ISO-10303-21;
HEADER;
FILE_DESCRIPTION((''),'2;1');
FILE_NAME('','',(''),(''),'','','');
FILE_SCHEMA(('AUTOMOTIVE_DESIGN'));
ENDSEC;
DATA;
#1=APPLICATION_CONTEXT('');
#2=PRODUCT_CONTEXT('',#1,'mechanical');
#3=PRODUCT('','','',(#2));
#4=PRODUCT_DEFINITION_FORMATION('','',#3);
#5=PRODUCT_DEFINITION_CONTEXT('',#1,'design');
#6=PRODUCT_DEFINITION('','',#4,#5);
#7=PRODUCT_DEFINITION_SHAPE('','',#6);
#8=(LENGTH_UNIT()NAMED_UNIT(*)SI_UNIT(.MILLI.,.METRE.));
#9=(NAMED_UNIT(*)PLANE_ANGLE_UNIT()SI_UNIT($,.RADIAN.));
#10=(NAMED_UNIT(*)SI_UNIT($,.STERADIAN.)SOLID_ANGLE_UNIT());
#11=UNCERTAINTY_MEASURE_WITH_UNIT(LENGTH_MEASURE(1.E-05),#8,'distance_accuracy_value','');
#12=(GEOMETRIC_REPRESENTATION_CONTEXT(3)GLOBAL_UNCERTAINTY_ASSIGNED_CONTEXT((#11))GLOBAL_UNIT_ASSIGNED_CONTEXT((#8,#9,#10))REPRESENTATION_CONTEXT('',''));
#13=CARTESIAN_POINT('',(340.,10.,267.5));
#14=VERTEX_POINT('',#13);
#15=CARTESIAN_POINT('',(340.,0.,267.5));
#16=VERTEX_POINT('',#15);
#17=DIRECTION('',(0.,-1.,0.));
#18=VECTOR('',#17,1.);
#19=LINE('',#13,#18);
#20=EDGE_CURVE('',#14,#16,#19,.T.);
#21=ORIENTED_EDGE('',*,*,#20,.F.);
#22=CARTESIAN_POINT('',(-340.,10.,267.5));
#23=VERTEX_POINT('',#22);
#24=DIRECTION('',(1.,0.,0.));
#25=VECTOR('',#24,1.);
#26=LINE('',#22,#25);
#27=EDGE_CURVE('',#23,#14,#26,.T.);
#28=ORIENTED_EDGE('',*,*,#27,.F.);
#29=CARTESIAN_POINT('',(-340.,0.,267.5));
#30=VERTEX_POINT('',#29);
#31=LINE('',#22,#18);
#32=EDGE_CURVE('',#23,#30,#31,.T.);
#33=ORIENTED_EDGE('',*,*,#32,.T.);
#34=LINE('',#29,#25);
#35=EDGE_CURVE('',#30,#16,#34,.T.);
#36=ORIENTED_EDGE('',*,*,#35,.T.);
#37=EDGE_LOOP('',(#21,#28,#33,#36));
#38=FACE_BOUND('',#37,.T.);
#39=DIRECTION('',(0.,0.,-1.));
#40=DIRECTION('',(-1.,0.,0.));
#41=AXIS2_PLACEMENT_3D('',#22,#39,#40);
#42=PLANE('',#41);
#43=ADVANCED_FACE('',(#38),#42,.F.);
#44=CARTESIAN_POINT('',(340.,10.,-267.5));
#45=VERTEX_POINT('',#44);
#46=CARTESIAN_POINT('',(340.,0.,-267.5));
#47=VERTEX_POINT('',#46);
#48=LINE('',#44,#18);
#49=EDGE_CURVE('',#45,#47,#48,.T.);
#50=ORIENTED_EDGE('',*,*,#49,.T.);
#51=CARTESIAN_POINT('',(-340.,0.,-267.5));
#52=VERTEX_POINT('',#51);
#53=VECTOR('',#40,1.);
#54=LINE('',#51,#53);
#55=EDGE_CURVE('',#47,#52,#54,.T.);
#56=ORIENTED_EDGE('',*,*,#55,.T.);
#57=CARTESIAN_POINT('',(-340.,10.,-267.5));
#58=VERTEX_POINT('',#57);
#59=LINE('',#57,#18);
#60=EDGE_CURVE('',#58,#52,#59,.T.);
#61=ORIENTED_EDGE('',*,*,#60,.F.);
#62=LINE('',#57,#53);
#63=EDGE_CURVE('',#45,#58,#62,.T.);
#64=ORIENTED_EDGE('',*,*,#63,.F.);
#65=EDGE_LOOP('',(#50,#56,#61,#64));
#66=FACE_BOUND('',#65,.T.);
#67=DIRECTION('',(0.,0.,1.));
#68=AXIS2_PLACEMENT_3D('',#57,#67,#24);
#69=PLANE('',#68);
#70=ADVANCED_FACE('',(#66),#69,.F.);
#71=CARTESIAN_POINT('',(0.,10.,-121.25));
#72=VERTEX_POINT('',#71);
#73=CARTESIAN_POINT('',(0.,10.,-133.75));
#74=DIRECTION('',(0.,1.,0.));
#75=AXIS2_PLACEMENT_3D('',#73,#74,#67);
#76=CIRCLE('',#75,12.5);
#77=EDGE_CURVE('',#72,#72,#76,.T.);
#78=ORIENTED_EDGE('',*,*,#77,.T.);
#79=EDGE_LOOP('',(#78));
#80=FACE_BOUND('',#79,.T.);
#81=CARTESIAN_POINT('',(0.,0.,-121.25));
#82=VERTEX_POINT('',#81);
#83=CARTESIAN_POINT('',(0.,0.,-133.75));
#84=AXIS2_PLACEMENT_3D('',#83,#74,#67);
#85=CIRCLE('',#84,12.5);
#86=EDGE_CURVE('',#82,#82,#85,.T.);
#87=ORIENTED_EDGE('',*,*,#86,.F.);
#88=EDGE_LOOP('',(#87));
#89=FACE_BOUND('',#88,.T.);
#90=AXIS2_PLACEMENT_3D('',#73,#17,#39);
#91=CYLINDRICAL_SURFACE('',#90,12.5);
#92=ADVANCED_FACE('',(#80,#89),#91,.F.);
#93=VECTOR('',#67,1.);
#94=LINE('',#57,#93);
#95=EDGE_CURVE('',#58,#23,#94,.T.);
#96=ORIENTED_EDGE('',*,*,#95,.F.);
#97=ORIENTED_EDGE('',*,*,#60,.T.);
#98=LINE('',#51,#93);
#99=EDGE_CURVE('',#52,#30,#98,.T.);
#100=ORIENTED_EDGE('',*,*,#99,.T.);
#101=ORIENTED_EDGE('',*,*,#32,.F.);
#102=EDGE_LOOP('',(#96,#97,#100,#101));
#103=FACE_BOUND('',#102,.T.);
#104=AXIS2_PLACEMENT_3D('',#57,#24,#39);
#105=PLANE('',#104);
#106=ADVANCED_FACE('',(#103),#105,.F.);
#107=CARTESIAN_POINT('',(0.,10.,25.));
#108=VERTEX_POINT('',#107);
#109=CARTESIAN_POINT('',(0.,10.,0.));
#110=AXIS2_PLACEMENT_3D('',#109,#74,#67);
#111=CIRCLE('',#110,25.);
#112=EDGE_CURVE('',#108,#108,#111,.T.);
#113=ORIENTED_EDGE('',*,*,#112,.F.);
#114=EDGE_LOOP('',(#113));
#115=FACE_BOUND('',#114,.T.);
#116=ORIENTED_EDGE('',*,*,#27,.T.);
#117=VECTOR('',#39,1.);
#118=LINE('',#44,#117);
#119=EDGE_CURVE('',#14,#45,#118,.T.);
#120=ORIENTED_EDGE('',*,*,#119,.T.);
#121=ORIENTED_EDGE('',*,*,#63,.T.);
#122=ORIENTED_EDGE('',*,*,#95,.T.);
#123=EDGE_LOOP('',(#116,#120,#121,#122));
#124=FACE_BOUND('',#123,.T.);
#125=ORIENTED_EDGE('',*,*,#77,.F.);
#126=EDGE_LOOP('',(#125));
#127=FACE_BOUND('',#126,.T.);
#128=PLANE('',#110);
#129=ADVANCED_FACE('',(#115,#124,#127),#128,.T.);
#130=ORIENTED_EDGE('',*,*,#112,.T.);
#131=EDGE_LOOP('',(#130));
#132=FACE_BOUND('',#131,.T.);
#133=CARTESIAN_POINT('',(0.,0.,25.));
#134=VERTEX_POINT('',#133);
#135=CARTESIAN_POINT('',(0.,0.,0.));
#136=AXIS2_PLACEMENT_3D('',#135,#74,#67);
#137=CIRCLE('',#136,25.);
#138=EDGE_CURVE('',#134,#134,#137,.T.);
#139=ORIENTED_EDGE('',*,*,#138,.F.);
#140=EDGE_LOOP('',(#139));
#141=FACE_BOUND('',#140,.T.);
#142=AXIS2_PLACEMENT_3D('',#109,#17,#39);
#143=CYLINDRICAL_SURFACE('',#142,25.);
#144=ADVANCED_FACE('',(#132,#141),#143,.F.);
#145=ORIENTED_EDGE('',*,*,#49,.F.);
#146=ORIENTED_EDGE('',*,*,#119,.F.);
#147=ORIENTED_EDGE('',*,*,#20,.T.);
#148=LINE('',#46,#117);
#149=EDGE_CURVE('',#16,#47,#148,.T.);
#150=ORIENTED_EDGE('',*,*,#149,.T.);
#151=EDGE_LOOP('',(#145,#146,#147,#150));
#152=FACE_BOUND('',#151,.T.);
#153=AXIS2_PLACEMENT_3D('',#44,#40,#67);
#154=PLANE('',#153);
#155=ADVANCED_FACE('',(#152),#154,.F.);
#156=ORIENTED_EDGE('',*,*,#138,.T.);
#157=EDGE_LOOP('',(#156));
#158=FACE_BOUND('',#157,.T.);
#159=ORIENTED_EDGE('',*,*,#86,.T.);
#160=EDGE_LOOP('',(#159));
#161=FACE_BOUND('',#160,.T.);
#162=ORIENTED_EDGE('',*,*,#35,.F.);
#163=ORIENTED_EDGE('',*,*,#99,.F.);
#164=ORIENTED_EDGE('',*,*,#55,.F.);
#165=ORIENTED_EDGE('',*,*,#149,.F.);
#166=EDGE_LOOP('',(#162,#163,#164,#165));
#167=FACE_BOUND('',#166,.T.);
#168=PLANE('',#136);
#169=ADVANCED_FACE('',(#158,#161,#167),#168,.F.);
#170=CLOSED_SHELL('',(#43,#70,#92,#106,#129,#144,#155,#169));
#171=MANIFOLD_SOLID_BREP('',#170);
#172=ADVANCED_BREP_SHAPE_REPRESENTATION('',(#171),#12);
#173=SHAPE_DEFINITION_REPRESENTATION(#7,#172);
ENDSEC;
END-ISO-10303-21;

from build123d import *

# Parameters (mm, degrees)
SKETCH1_W           = 680
SKETCH1_H           = 535
SKETCH1_R           = 25
SKETCH1_R_2         = 12.5
BOSS_EXTRUDE1_DEPTH = 10


with BuildPart() as part:
    # Sketch1 → Boss-Extrude1 (new body)
    with BuildSketch(Plane(origin=(0, 0, 0), x_dir=(1, 0, 0), z_dir=(0, 1, 0))):
        Rectangle(SKETCH1_W, SKETCH1_H)
        Circle(SKETCH1_R, mode=Mode.SUBTRACT)
        with Locations((0, 133.75)):
            Circle(SKETCH1_R_2, mode=Mode.SUBTRACT)
    extrude(amount=BOSS_EXTRUDE1_DEPTH)


solid = part.part
